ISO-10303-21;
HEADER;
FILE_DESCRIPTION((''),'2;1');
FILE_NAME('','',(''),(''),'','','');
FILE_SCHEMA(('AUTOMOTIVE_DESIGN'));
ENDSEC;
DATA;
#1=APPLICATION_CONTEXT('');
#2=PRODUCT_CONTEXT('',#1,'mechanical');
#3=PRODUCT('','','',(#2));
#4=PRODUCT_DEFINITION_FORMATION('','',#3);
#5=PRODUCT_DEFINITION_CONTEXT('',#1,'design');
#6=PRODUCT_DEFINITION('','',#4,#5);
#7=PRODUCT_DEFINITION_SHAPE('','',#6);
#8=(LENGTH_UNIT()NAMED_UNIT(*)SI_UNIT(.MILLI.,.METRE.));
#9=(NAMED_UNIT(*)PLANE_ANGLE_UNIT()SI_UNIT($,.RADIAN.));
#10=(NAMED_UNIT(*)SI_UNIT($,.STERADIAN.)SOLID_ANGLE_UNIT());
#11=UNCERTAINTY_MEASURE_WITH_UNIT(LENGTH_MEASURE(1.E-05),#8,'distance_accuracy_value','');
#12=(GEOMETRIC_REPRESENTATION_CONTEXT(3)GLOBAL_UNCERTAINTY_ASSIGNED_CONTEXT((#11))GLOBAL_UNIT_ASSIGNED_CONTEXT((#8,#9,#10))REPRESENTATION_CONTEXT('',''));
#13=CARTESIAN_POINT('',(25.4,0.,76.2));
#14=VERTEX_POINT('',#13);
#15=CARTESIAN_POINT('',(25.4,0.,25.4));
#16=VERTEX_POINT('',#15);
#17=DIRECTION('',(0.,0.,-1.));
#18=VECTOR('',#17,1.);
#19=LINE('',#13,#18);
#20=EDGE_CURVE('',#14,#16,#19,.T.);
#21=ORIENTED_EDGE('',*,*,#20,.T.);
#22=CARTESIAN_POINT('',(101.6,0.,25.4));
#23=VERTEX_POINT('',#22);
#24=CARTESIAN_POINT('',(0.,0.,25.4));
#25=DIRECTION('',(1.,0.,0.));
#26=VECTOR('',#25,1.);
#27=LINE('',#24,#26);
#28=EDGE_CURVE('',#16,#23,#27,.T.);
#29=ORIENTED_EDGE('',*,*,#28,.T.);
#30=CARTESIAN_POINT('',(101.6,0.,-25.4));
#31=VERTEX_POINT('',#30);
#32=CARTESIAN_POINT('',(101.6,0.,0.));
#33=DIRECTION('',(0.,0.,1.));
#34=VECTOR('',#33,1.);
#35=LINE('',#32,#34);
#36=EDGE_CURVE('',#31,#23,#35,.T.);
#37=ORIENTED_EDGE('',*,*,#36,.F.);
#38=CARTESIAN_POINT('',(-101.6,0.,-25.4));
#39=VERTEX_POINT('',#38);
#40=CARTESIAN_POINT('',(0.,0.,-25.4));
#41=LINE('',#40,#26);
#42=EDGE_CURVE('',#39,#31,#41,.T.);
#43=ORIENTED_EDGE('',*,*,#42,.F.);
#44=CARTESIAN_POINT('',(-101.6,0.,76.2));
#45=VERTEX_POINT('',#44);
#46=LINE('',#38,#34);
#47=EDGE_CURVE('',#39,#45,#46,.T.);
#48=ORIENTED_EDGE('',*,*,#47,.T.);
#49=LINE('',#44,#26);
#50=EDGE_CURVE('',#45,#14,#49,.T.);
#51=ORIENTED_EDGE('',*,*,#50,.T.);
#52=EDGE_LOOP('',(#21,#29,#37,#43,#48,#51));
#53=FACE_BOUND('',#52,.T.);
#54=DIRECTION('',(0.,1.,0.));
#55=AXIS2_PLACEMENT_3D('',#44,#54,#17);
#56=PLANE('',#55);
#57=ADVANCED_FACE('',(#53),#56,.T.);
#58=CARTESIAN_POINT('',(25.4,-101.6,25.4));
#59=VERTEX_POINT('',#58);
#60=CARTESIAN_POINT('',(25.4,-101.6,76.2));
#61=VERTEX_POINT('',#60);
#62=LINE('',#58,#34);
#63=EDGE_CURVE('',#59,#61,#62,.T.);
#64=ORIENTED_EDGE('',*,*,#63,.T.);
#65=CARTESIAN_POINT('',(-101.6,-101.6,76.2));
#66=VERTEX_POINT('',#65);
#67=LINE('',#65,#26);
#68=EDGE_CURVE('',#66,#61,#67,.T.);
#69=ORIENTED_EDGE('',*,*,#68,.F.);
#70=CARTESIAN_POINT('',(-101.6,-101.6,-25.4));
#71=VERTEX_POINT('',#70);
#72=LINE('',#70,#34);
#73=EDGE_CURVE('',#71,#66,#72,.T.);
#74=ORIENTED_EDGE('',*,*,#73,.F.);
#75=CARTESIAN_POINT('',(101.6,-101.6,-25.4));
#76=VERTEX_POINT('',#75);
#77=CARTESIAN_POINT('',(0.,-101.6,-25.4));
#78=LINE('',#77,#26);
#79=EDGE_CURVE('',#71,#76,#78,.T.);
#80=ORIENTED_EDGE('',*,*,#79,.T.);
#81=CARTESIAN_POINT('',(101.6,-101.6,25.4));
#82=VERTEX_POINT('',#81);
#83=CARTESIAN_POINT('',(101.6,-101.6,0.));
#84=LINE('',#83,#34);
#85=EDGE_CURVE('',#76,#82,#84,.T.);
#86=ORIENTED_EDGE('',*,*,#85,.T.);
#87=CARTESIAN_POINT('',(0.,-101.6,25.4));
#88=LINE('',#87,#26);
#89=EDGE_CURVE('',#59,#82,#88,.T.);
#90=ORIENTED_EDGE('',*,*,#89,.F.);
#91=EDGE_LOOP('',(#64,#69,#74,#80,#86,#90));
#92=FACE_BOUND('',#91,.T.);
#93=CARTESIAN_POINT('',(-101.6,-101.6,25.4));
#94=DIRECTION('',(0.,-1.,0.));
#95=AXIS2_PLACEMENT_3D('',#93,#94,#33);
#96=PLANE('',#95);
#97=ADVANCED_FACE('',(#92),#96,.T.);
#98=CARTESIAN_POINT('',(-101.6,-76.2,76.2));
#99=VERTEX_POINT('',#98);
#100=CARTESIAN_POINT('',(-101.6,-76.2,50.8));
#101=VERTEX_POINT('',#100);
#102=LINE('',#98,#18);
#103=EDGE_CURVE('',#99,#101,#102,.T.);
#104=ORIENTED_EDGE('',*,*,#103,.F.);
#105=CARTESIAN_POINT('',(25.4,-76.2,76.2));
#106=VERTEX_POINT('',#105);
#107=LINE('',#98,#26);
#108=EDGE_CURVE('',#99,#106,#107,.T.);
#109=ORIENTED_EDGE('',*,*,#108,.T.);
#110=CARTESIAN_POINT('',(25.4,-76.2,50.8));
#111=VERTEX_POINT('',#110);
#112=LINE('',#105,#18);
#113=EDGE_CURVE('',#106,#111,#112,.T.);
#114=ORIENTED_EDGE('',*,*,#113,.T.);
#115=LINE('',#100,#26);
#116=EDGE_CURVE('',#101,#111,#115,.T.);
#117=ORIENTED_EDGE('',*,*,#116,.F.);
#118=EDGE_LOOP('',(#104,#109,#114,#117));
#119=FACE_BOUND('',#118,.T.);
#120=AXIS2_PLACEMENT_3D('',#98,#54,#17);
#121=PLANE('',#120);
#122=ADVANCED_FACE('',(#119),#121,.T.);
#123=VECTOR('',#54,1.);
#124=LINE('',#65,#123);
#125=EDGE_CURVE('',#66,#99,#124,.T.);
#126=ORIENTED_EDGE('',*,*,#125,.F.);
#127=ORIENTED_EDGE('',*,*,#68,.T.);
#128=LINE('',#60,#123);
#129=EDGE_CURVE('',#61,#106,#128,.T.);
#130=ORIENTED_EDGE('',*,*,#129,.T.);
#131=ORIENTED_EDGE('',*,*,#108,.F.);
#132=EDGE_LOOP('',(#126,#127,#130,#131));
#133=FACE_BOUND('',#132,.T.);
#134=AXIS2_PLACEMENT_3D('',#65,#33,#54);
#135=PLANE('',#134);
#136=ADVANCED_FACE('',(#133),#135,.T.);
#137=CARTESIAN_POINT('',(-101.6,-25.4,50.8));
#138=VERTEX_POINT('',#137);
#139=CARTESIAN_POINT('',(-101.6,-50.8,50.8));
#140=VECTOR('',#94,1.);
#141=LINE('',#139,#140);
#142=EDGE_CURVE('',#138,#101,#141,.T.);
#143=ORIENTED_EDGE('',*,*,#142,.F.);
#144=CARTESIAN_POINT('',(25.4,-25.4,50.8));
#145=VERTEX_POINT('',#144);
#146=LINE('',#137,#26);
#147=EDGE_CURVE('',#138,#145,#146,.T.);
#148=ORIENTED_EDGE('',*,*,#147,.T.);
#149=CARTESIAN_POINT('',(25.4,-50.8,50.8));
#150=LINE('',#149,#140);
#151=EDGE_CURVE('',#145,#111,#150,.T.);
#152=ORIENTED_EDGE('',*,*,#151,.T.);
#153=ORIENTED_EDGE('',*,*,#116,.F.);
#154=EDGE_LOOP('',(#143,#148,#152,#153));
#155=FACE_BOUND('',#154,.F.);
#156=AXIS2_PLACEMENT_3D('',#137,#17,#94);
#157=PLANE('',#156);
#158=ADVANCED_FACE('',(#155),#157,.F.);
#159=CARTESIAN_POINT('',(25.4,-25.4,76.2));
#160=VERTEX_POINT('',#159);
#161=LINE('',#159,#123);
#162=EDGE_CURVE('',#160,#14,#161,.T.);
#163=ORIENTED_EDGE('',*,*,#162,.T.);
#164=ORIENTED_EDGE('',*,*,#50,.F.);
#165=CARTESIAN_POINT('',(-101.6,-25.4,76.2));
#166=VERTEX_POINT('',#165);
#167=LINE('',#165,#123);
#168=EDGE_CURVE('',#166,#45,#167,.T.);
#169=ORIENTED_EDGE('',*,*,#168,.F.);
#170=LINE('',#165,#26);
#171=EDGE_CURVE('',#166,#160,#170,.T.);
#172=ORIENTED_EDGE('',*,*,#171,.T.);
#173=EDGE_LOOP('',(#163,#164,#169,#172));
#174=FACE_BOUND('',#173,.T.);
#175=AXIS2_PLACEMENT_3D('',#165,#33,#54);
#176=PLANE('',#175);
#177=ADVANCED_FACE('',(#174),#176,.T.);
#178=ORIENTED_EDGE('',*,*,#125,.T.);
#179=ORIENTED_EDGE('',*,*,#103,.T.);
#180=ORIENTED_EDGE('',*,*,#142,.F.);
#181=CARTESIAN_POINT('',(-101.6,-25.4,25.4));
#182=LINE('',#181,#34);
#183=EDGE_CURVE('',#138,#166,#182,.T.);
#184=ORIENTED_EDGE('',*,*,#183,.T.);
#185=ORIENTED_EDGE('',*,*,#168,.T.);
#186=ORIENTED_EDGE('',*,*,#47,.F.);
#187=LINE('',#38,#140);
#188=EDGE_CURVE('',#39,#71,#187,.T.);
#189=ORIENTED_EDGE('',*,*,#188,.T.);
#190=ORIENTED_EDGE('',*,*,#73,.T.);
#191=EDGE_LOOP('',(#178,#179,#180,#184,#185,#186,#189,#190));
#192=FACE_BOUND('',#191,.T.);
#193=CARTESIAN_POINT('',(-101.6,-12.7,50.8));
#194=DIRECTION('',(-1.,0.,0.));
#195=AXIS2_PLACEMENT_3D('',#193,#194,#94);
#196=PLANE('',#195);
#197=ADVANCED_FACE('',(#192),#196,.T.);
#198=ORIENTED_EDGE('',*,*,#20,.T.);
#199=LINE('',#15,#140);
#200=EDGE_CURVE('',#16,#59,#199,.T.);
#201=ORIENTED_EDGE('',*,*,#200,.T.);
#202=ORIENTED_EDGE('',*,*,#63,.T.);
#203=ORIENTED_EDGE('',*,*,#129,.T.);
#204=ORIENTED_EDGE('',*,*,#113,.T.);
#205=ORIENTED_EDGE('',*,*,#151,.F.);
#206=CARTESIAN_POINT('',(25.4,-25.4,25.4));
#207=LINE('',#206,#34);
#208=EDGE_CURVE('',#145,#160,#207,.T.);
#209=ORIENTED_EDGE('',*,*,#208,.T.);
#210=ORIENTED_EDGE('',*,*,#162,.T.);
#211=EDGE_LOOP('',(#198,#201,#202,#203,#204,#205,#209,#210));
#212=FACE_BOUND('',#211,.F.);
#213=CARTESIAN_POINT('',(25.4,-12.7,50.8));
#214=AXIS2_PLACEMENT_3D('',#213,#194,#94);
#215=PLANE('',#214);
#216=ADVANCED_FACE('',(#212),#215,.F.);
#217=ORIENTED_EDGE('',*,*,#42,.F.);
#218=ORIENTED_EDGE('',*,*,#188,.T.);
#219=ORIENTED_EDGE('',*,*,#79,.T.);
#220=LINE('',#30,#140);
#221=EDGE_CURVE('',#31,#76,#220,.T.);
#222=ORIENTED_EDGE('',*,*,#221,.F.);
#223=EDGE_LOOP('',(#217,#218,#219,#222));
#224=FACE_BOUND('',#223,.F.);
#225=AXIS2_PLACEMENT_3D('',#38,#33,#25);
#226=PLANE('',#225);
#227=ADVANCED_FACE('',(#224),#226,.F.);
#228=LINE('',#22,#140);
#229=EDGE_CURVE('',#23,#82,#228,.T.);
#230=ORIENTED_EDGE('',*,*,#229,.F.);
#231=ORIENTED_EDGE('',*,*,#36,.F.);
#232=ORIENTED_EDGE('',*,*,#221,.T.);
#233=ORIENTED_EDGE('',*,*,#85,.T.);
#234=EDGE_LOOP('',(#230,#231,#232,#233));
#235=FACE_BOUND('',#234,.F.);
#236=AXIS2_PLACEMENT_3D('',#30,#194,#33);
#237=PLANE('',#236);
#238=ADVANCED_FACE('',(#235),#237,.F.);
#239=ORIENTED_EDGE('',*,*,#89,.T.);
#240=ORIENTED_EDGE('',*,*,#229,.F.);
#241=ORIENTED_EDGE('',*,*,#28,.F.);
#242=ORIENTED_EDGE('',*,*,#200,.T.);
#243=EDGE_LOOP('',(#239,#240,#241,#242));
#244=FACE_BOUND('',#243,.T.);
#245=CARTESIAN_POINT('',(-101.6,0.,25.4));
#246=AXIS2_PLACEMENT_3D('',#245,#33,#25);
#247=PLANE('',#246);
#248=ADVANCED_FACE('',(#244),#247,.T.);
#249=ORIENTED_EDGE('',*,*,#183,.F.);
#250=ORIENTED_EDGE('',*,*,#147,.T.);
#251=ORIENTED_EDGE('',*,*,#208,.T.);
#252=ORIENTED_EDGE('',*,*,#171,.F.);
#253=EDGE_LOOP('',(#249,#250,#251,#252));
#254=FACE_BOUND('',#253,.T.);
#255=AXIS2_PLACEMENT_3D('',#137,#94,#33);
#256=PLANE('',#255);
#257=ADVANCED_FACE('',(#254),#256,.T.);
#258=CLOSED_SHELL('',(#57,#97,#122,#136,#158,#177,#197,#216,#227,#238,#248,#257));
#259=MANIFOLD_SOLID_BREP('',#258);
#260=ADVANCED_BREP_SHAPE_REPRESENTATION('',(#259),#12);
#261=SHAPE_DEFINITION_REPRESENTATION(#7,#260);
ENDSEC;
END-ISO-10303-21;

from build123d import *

# Parameters (mm, degrees)
F0_W     = 203.2
F0_H     = 50.8
F1_DEPTH = 101.6
F2_W     = 50.8
F2_H     = 25.4
F3_DEPTH = 127


with BuildPart() as f1:
    # F0 (on Front) → F1 (new body)
    with BuildSketch(Plane.XZ):
        Rectangle(F0_W, F0_H)
    extrude(amount=F1_DEPTH)

    # F2 (on face) → F3 (join)
    with BuildSketch(Plane(origin=(-101.6, 0, 0), x_dir=(0, -1, 0), z_dir=(-1, 0, 0))):
        Polygon((0, 76.2), (0, 25.4), (25.4, 25.4), (25.4, 50.8), (25.4, 76.2), align=None)
        with Locations((50.8, 38.1)):
            Rectangle(F2_W, F2_H)
        Polygon((76.2, 50.8), (76.2, 25.4), (101.6, 25.4), (101.6, 76.2), (76.2, 76.2), align=None)
    extrude(amount=-F3_DEPTH)


solid = f1.part
